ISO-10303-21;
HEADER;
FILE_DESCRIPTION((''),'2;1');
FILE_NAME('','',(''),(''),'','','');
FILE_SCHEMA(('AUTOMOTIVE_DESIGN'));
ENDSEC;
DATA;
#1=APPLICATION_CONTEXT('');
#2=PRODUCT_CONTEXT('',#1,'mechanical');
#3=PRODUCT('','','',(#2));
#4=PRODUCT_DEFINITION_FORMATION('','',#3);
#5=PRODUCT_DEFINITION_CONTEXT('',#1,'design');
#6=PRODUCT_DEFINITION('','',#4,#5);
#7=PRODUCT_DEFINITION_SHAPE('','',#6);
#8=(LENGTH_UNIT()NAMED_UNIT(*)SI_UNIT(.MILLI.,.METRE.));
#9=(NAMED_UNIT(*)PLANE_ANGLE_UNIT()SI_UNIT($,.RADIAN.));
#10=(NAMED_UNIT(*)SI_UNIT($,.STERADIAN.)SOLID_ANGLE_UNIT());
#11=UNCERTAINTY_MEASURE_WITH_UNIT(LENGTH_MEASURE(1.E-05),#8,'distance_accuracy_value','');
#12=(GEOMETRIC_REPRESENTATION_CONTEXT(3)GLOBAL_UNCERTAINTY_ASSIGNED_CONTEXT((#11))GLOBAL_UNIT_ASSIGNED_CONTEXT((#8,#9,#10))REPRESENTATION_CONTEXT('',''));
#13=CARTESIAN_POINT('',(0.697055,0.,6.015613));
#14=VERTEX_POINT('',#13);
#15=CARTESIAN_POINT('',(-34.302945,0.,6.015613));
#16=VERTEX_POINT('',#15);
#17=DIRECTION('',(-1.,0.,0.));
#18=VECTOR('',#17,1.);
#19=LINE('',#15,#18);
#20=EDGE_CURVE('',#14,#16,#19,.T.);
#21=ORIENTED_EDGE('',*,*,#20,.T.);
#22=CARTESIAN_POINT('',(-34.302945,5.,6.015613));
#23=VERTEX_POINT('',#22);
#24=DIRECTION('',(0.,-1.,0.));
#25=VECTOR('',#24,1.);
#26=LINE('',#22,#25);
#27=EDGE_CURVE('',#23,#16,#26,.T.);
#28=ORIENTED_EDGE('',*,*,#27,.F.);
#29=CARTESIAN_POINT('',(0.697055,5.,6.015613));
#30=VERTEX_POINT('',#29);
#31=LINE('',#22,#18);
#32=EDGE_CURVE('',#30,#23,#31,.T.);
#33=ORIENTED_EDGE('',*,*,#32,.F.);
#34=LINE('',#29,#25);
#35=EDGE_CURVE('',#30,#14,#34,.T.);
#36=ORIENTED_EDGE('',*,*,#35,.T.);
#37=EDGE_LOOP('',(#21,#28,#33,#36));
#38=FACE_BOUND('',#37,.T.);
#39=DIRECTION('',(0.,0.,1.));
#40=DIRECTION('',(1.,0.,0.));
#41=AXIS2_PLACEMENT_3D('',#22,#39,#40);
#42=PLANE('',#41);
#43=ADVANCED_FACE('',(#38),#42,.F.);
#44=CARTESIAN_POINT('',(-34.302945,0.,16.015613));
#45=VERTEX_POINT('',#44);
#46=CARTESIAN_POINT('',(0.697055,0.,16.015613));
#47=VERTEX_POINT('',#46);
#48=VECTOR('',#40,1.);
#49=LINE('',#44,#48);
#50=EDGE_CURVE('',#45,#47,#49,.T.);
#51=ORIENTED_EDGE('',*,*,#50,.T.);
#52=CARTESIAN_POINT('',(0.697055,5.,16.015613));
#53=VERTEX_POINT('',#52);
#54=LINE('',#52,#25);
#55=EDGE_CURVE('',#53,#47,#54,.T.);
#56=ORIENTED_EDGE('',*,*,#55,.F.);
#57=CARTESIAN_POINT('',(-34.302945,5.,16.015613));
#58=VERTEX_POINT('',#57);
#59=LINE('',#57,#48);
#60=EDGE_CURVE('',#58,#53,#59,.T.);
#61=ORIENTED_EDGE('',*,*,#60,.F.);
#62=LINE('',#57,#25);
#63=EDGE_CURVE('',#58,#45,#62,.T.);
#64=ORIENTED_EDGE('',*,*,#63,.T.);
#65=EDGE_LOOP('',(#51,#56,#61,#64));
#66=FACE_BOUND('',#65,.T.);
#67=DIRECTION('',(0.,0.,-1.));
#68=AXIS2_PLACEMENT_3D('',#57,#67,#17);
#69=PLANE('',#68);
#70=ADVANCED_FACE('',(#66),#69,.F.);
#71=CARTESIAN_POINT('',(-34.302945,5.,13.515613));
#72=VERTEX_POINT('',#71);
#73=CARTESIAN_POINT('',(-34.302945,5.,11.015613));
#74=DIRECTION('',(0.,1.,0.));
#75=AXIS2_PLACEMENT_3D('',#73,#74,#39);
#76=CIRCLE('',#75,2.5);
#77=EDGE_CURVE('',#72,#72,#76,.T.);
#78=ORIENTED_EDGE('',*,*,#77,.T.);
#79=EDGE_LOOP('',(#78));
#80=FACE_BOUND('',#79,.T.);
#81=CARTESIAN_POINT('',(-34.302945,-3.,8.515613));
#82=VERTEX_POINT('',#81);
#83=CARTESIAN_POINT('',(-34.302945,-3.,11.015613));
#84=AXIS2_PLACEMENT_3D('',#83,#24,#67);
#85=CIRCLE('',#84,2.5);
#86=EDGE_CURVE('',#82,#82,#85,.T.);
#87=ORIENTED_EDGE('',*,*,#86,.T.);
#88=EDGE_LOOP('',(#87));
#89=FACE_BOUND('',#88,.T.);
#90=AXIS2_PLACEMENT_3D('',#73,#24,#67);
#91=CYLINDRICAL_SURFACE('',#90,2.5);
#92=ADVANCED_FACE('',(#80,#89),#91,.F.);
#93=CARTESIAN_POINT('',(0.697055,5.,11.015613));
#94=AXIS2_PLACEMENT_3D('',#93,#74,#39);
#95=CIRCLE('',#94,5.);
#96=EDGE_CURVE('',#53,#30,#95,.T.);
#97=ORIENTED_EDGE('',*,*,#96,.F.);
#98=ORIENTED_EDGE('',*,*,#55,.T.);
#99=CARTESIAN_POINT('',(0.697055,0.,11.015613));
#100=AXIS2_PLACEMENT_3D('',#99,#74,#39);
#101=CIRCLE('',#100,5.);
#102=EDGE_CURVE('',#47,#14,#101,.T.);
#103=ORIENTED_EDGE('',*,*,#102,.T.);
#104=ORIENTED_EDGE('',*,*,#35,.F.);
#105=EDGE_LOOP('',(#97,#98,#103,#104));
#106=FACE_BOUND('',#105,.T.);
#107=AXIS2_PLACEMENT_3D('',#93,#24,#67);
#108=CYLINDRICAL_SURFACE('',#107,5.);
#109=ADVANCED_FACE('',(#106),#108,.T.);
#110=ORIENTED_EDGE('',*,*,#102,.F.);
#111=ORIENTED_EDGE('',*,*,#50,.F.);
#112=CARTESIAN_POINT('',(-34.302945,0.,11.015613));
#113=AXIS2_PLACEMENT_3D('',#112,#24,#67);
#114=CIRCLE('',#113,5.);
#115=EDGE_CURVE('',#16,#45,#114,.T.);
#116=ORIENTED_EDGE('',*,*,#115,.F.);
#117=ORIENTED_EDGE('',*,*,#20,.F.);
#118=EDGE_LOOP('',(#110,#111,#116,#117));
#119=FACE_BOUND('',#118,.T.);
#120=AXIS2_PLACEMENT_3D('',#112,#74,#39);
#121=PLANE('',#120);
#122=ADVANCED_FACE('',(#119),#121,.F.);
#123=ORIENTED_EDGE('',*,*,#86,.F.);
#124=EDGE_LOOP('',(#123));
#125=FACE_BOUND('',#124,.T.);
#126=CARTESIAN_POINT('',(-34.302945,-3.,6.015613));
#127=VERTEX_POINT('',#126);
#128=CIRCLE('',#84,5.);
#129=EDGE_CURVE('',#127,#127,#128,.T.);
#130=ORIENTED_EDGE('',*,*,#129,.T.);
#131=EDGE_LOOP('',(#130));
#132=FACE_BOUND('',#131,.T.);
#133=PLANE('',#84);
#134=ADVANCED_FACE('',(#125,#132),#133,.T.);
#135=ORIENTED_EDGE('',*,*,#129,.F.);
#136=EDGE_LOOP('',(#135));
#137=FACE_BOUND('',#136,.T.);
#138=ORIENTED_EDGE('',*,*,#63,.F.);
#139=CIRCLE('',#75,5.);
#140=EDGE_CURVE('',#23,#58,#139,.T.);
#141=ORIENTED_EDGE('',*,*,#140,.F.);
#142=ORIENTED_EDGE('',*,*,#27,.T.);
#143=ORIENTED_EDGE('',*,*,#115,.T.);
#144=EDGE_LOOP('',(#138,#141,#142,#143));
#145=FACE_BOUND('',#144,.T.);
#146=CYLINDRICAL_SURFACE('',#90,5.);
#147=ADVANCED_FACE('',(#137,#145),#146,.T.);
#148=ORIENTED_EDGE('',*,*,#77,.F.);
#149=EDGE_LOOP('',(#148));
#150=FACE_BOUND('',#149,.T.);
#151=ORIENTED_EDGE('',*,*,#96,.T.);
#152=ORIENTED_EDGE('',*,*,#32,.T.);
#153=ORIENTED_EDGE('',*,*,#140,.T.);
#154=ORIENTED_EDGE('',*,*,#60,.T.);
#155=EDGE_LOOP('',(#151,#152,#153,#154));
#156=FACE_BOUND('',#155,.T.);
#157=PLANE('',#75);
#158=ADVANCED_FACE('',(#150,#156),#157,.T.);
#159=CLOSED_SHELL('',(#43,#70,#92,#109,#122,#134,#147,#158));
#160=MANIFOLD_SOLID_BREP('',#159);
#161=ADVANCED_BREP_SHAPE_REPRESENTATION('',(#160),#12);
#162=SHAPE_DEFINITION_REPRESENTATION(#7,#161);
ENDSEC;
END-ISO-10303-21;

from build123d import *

# Parameters (mm, degrees)
SKETCH_1_R      = 2.5
EXTRUDE_1_DEPTH = 5
EXTRUDE_START   = 3
SKETCH_2_R      = 5
SKETCH_2_R_2    = 2.5
EXTRUDE_2_DEPTH = 3


with BuildPart() as part:
    # 草图1 → 凸台-拉伸1 (new body)
    with BuildSketch(Plane(origin=(0, 0, 0), x_dir=(1, 0, 0), z_dir=(0, 1, 0))):
        with BuildLine():
            Line((-34.30294509, -6.015613436), (0.69705491, -6.015613436))
            ThreePointArc((0.69705491, -6.015613436), (5.69705491, -11.015613436), (0.69705491, -16.015613436))
            Line((0.69705491, -16.015613436), (-34.30294509, -16.015613436))
            ThreePointArc((-34.30294509, -16.015613436), (-39.30294509, -11.015613436), (-34.30294509, -6.015613436))
        make_face()
        with Locations(Location((-34.30294509, -11.015613436, 0), (0, 0, 270))):
            Circle(SKETCH_1_R, mode=Mode.SUBTRACT)
    extrude(amount=EXTRUDE_1_DEPTH)

    # 草图2 → 凸台-拉伸2 (add)
    with BuildSketch(Plane.XZ.offset(EXTRUDE_START)):
        with Locations(Location((-34.30294509, 11.015613436, 0), (0, 0, 270))):
            Circle(SKETCH_2_R)
        with Locations(Location((-34.30294509, 11.015613436, 0), (0, 0, 270))):
            Circle(SKETCH_2_R_2, mode=Mode.SUBTRACT)
    extrude(amount=-EXTRUDE_2_DEPTH)


solid = part.part
